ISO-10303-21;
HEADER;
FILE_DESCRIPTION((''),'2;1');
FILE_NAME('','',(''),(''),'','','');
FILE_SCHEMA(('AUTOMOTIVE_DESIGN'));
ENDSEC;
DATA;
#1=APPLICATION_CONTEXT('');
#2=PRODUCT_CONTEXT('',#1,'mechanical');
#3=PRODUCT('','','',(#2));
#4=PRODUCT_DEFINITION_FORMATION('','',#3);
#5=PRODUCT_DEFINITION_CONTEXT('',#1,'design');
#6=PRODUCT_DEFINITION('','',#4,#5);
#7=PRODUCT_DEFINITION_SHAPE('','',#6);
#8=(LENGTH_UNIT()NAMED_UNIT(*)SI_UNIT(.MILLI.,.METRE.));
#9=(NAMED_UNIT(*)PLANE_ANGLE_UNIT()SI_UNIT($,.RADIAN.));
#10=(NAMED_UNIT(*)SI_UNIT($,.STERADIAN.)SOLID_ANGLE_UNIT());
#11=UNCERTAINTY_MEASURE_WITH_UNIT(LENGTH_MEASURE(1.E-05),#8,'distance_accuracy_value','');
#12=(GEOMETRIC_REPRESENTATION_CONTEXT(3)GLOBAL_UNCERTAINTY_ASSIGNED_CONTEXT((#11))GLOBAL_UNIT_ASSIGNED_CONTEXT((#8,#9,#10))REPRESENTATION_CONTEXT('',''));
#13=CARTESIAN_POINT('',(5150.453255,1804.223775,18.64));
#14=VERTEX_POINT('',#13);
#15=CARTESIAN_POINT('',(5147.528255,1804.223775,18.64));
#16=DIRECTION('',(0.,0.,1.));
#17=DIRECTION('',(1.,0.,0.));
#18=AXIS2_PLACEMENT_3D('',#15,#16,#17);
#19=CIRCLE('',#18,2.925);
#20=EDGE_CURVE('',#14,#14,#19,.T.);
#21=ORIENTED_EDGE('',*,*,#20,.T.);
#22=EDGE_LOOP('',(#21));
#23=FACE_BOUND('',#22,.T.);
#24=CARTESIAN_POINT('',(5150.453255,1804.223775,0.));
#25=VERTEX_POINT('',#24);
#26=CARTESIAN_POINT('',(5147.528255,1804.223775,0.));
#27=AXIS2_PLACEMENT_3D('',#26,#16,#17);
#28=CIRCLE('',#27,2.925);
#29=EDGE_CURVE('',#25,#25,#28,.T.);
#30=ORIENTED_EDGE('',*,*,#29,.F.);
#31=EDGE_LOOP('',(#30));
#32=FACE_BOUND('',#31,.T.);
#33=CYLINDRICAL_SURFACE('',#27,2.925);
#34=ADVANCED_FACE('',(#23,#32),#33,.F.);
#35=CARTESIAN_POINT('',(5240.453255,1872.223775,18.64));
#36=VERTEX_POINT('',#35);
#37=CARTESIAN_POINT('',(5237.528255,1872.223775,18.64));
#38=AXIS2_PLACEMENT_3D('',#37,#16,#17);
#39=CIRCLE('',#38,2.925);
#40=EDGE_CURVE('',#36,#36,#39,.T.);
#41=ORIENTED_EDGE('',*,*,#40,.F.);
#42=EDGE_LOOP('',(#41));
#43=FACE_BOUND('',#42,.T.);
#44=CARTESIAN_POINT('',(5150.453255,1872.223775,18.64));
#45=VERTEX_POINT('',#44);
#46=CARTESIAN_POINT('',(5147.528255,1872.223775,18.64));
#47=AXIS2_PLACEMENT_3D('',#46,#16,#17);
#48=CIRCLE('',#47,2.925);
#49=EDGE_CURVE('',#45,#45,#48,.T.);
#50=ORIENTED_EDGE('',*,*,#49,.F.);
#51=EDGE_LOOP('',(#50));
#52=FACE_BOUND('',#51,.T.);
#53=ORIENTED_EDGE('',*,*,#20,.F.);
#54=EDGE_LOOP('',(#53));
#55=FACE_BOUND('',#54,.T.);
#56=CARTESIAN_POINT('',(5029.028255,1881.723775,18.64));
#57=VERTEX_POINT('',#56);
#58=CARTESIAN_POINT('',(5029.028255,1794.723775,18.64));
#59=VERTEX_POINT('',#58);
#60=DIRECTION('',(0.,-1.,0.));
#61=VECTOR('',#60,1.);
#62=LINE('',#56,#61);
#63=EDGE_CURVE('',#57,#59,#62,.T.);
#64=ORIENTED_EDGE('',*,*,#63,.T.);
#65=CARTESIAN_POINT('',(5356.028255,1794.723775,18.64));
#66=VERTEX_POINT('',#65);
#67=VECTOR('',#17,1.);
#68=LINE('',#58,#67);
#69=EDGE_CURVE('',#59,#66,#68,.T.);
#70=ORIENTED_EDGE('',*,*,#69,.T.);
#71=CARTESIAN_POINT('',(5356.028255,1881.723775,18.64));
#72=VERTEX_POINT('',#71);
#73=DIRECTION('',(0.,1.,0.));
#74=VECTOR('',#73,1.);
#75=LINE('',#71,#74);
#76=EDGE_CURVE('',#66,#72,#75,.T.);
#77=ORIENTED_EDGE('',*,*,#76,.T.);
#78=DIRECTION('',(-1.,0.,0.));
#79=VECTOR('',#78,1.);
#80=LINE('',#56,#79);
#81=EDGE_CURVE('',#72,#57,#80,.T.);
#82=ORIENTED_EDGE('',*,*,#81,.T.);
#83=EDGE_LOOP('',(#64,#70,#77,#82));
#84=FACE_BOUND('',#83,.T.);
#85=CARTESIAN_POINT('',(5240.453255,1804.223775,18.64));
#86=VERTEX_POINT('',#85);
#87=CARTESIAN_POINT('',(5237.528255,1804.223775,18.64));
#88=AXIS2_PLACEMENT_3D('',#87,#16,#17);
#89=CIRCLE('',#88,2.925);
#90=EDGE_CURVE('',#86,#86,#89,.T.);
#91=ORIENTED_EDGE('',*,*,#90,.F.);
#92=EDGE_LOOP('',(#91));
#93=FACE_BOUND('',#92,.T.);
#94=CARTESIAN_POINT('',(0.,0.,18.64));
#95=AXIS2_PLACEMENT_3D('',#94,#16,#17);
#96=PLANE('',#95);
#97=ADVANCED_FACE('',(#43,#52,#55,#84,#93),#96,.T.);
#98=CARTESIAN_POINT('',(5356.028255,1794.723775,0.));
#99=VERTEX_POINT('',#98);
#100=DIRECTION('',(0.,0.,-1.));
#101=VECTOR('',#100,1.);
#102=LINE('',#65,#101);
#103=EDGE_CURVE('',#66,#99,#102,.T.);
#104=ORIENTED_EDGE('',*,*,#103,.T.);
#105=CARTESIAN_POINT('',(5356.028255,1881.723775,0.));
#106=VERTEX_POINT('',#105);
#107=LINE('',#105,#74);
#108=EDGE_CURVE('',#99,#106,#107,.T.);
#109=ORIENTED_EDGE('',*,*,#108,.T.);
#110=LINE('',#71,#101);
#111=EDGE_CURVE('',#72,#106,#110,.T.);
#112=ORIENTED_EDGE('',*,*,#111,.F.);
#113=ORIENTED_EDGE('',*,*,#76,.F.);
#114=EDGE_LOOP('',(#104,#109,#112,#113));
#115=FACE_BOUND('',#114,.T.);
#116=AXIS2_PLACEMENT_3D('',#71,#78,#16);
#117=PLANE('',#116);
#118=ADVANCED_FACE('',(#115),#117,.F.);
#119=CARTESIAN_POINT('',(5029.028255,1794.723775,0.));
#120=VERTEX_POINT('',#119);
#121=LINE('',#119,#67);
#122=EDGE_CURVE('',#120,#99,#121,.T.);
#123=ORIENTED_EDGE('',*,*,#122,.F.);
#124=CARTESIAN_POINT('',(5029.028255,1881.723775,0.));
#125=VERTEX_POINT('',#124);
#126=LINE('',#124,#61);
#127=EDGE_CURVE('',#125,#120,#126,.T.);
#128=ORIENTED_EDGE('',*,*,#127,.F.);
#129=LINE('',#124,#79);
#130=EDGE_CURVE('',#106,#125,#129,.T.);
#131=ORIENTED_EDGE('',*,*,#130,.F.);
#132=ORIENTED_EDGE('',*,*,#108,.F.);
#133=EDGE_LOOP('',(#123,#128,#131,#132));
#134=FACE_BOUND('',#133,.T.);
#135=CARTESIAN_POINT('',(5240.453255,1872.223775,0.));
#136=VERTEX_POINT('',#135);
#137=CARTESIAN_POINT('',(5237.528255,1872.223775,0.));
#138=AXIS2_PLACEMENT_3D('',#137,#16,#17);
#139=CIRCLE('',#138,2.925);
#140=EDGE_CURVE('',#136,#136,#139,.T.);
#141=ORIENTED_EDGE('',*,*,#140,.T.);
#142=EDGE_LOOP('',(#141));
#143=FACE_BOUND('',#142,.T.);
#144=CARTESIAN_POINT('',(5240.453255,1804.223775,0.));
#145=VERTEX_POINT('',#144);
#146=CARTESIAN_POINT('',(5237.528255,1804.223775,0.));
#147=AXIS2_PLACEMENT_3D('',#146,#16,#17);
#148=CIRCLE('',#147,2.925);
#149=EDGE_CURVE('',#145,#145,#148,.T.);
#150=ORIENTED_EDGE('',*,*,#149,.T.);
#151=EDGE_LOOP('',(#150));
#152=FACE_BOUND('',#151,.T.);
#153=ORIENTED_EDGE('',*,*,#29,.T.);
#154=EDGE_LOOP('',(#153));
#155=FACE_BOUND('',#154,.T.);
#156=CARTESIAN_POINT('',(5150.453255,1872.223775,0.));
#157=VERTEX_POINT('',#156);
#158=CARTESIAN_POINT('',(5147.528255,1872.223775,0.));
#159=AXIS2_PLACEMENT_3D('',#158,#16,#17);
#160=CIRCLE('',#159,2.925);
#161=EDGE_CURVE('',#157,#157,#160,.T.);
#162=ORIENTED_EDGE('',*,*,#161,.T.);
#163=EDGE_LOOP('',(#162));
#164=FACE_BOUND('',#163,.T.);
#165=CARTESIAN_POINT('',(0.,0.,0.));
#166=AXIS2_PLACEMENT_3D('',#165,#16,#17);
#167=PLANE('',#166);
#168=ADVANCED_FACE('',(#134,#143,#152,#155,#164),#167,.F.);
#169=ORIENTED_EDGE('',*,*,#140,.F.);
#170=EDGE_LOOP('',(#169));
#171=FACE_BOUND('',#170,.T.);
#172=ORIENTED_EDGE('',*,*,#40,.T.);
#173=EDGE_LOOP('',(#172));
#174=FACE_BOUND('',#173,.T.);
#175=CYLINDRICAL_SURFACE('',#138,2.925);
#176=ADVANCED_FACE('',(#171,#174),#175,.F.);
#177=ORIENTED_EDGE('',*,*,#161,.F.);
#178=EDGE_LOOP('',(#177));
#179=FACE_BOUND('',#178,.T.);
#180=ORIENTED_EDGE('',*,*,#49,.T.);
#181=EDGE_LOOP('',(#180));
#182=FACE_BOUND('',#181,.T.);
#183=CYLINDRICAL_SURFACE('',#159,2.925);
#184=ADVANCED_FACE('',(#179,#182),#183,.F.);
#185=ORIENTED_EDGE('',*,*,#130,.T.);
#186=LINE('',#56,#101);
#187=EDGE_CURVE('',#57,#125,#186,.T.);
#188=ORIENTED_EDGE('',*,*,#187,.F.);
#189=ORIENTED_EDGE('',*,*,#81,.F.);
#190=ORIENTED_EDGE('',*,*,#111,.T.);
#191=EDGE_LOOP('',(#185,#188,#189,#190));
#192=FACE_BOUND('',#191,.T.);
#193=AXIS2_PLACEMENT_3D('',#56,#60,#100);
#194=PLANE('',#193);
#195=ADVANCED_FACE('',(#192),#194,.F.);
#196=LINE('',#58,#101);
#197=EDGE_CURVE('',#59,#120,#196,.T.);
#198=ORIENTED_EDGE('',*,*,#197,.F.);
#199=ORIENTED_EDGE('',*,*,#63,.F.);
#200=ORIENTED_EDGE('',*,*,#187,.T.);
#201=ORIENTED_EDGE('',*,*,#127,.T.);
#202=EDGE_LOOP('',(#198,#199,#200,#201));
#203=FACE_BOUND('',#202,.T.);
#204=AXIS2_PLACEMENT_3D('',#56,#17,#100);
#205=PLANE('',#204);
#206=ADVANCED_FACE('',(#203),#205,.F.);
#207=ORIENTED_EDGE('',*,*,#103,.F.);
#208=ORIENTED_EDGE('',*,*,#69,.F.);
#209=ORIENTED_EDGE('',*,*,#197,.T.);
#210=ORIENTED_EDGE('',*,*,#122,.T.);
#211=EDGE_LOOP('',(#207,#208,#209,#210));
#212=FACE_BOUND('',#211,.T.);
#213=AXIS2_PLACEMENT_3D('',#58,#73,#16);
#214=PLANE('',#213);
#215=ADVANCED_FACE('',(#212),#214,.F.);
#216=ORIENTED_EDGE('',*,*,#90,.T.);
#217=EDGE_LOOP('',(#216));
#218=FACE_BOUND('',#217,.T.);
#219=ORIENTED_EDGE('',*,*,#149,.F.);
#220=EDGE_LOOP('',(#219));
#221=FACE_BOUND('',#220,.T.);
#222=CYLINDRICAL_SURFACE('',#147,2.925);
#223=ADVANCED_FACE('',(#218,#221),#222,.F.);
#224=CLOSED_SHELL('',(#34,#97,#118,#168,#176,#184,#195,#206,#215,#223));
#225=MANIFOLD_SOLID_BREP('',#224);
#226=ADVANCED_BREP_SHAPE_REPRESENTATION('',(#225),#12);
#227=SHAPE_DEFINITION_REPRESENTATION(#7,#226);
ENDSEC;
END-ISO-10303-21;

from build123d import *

# Parameters (mm, degrees)
SKETCH1_W           = 327
SKETCH1_H           = 87
BOSS_EXTRUDE1_DEPTH = 18.64
SKETCH5_R           = 2.925
CUT_EXTRUDE4_DEPTH  = 19.64


with BuildPart() as part:
    # Sketch1 → Boss-Extrude1 (new body)
    with BuildSketch(Plane.XY):
        with Locations((5192.528255097, 1838.223775404)):
            Rectangle(SKETCH1_W, SKETCH1_H)
    extrude(amount=BOSS_EXTRUDE1_DEPTH)

    # Sketch5 → Cut-Extrude4 (cut, through all)
    with BuildSketch(Plane.XY.offset(18.64)):
        with Locations((5147.528255097, 1872.223775404)):
            Circle(SKETCH5_R)
        with Locations((5147.528255097, 1804.223775404)):
            Circle(SKETCH5_R)
        with Locations((5237.528255097, 1804.223775404)):
            Circle(SKETCH5_R)
        with Locations((5237.528255097, 1872.223775404)):
            Circle(SKETCH5_R)
    extrude(amount=-CUT_EXTRUDE4_DEPTH, mode=Mode.SUBTRACT)


solid = part.part
